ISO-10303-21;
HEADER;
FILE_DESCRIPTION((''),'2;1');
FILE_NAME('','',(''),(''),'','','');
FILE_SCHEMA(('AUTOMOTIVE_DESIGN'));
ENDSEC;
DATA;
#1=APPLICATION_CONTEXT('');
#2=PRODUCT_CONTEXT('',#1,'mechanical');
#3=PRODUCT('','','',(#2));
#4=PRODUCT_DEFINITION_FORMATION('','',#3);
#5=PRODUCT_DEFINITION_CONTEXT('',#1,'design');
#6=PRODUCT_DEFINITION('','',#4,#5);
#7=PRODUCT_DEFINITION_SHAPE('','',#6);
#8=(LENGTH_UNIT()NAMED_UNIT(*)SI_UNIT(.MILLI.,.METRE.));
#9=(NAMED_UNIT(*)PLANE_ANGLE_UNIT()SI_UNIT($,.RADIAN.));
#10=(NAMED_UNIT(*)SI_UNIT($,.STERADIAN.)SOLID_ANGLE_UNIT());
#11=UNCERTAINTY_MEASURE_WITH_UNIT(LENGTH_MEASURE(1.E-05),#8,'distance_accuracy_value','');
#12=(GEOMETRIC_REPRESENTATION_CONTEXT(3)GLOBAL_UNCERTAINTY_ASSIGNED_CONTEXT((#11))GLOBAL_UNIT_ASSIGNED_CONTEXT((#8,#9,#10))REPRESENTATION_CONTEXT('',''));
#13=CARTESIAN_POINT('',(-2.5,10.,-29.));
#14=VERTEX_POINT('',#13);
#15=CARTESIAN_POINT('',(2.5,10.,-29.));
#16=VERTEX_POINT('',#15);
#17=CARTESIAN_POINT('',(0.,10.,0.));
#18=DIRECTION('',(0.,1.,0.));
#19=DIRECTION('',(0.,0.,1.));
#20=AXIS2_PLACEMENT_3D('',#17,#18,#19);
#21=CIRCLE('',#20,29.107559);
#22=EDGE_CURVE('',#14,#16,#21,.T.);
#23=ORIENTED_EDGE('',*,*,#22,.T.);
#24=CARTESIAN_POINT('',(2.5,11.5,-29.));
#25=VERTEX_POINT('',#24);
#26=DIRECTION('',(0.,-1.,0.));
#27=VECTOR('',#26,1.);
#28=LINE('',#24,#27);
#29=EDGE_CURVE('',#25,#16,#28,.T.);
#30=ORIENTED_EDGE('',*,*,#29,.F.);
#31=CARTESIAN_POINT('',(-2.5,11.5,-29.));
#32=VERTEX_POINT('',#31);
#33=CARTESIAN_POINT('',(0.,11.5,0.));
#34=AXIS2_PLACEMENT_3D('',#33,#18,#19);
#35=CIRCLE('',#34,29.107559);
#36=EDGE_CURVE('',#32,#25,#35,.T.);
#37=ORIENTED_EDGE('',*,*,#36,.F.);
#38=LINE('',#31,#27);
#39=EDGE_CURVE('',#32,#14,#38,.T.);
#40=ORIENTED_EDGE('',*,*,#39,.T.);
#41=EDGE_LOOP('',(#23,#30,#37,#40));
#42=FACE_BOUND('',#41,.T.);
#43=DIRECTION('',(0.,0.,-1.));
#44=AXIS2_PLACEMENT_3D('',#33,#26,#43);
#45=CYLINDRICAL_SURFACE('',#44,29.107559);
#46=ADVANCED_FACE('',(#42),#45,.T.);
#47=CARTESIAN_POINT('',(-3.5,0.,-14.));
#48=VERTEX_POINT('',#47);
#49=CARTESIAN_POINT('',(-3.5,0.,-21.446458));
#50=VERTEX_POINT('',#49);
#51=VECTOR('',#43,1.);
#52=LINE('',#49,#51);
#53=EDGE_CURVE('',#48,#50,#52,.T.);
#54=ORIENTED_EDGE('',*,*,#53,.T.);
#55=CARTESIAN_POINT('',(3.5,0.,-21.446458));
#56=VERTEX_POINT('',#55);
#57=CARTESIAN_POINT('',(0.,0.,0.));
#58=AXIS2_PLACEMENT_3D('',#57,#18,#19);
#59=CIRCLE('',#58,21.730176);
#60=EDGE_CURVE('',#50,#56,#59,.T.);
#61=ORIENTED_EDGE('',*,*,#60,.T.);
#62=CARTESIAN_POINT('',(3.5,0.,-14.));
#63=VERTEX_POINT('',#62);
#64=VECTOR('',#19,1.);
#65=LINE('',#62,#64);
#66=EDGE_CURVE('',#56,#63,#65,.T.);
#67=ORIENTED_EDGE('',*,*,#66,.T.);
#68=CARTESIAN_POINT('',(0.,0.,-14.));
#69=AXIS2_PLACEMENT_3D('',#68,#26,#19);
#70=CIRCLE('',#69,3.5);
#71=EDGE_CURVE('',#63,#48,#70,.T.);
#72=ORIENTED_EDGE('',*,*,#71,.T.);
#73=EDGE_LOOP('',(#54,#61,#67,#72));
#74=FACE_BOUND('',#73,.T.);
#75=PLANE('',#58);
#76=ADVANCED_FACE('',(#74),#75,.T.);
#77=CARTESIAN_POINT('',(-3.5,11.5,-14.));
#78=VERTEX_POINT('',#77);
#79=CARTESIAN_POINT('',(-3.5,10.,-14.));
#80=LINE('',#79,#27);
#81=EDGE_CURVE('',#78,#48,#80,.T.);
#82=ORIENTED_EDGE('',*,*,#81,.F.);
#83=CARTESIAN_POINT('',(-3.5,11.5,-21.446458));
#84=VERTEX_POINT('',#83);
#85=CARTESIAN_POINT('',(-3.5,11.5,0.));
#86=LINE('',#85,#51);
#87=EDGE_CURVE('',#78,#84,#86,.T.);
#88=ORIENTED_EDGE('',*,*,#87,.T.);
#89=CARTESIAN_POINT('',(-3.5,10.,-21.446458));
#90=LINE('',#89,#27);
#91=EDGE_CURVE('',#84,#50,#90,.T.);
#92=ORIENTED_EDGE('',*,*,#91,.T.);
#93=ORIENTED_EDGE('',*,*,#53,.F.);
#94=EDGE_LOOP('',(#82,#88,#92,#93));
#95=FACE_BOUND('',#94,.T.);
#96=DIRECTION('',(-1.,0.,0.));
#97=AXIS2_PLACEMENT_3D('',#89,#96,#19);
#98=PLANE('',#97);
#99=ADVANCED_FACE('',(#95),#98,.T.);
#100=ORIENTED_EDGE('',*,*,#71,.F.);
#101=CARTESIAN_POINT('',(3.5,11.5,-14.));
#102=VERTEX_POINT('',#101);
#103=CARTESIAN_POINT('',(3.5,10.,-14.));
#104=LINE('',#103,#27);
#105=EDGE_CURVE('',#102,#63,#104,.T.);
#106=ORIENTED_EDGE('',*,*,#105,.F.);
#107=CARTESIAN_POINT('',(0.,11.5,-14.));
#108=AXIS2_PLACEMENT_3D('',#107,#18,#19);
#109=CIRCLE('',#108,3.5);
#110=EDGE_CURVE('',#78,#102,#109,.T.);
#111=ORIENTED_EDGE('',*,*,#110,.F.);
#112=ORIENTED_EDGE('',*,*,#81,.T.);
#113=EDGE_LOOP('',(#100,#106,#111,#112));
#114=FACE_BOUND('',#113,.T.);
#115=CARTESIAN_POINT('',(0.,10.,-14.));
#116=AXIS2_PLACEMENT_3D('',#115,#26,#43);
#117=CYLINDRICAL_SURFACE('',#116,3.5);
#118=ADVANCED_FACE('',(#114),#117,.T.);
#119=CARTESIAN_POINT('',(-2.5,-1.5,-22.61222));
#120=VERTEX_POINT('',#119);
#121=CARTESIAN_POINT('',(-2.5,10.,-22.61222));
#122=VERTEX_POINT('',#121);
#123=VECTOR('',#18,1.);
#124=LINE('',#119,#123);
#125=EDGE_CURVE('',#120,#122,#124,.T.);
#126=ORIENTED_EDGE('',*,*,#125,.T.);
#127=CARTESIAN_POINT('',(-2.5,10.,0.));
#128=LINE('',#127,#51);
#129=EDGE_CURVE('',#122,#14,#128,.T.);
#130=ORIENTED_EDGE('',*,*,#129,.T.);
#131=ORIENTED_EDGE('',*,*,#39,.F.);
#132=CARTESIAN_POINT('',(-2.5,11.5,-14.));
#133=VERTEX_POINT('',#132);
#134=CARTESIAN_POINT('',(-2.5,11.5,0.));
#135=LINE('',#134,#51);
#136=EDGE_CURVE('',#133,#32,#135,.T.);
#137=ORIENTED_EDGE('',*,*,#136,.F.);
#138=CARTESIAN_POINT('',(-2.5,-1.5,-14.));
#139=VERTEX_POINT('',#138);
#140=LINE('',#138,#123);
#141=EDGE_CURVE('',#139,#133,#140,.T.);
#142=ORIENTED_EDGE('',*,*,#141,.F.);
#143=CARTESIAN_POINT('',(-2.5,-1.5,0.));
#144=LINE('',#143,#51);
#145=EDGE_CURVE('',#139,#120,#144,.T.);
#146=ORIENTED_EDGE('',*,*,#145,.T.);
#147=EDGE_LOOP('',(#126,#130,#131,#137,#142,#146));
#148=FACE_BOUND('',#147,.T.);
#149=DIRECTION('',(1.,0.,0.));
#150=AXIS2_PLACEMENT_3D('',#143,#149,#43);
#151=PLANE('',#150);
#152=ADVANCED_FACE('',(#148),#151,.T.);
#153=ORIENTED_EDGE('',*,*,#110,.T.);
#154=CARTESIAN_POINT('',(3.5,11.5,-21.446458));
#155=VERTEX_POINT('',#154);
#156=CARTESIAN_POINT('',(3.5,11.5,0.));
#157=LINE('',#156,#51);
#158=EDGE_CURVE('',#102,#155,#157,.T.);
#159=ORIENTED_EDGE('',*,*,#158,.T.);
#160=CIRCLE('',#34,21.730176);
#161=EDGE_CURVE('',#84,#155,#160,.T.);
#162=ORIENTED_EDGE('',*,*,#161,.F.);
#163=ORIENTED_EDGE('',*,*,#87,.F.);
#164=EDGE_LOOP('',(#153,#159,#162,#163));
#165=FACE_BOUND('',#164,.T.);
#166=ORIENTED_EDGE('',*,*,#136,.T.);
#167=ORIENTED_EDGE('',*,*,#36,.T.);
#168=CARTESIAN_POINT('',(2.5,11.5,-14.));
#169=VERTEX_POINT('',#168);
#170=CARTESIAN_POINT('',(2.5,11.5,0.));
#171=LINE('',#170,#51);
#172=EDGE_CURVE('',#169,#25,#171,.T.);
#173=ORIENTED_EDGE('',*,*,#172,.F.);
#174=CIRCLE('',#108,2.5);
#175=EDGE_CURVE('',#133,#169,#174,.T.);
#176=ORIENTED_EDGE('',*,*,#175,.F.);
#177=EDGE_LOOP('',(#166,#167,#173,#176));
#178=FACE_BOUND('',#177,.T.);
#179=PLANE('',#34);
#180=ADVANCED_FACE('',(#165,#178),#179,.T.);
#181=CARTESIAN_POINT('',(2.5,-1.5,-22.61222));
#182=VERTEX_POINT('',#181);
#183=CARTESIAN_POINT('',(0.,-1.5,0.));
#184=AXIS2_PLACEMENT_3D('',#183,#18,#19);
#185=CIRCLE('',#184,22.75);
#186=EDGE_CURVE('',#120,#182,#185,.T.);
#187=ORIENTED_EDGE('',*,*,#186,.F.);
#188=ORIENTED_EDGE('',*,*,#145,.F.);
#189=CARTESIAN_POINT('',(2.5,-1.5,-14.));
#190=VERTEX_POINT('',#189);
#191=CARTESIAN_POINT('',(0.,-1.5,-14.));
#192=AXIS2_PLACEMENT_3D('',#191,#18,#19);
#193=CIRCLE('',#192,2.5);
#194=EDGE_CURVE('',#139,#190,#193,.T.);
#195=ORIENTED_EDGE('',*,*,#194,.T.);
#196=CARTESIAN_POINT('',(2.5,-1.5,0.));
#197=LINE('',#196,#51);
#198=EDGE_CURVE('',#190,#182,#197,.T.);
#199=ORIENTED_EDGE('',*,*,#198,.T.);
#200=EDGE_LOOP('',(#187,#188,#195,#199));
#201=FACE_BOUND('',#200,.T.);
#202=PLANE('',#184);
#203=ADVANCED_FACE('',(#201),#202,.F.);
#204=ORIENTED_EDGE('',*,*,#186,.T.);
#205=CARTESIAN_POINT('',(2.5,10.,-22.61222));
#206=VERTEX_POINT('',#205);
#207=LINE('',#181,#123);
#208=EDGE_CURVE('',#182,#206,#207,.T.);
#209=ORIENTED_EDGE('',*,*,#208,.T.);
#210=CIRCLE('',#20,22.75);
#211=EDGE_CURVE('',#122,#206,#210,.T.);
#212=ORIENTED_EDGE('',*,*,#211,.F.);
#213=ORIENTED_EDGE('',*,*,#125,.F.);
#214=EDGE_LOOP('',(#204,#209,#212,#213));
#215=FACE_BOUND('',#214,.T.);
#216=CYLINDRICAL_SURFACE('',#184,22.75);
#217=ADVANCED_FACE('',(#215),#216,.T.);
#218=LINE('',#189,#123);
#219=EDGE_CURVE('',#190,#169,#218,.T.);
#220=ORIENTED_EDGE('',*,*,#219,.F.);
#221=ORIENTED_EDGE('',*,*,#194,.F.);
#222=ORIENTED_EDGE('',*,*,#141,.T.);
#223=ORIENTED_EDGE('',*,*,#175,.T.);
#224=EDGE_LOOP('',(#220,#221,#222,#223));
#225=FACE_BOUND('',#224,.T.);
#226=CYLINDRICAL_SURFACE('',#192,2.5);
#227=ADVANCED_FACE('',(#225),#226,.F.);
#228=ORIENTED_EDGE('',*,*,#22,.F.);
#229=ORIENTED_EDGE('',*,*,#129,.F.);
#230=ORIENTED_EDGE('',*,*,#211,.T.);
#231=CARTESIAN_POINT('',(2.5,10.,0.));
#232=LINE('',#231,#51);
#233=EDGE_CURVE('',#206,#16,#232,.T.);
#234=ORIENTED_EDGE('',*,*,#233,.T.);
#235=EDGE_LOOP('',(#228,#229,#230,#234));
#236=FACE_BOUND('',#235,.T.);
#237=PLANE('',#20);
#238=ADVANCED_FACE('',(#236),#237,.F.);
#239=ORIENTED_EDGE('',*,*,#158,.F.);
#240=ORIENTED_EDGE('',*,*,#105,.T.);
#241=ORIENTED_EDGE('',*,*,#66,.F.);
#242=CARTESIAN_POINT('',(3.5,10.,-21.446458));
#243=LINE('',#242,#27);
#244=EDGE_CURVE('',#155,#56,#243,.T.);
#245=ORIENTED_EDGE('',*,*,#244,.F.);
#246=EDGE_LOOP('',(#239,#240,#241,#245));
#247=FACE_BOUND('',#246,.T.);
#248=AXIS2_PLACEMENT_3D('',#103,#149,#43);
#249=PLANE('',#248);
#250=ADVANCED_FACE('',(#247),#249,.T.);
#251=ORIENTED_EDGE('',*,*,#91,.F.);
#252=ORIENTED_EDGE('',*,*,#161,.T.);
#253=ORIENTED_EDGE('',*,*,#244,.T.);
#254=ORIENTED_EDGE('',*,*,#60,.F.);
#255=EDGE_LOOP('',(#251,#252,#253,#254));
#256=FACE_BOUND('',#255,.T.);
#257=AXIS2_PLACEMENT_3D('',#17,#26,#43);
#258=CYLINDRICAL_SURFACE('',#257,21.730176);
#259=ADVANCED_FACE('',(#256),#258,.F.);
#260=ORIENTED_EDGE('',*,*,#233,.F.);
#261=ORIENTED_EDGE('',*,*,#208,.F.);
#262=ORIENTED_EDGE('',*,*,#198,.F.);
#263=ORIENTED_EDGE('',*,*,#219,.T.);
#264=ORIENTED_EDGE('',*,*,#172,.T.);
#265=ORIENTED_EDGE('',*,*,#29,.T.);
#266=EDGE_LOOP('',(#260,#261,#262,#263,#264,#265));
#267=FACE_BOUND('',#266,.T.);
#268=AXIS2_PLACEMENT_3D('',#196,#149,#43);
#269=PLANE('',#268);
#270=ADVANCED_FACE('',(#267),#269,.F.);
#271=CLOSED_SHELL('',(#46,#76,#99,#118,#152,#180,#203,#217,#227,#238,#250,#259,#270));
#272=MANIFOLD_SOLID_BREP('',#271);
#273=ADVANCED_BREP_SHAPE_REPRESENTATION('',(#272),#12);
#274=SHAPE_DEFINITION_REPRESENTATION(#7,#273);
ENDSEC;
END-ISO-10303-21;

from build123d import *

# Parameters (mm, degrees)
BOSS_EXTRUDE11_DEPTH = 1.5
BOSS_EXTRUDE12_START = 10
BOSS_EXTRUDE12_DEPTH = 10
BOSS_EXTRUDE15_START = 11.5
BOSS_EXTRUDE15_DEPTH = 1.5


with BuildPart() as part:
    # base → Boss-Extrude11 (new body)
    with BuildSketch(Plane(origin=(0, 0, 0), x_dir=(1, 0, 0), z_dir=(0, 1, 0))):
        with BuildLine():
            Line((-2.5, 14), (-2.5, 22.612220148))
            ThreePointArc((-2.5, 22.612220148), (0, -22.75), (2.5, 22.612220148))
            Line((2.5, 22.612220148), (2.5, 14))
            ThreePointArc((2.5, 14), (0, 11.5), (-2.5, 14))
        make_face()
    extrude(amount=-BOSS_EXTRUDE11_DEPTH)

    # rim → Boss-Extrude12 (add)
    with BuildSketch(Plane(origin=(0, 0, 0), x_dir=(1, 0, 0), z_dir=(0, 1, 0)).offset(BOSS_EXTRUDE12_START)):
        with BuildLine():
            Line((2.5, 22.612220148), (2.5, 14))
            ThreePointArc((2.5, 14), (0, 11.5), (-2.5, 14))
            Line((-2.5, 14), (-2.5, 22.612220148))
            ThreePointArc((-2.5, 22.612220148), (0, -22.75), (2.5, 22.612220148))
        make_face()
        with BuildLine():
            Line((-3.5, 21.446457505), (-3.5, 14))
            ThreePointArc((-3.5, 14), (0, 10.5), (3.5, 14))
            Line((3.5, 14), (3.5, 21.446457505))
            ThreePointArc((3.5, 21.446457505), (0, -21.730175782), (-3.5, 21.446457505))
        make_face(mode=Mode.SUBTRACT)
    extrude(amount=-BOSS_EXTRUDE12_DEPTH)

    # lid → Boss-Extrude15 (add)
    with BuildSketch(Plane(origin=(0, 0, 0), x_dir=(1, 0, 0), z_dir=(0, 1, 0)).offset(BOSS_EXTRUDE15_START)):
        with BuildLine():
            Line((-2.5, 14), (-2.5, 29))
            ThreePointArc((-2.5, 29), (0, -29.107559156), (2.5, 29))
            Line((2.5, 29), (2.5, 14))
            ThreePointArc((2.5, 14), (0, 11.5), (-2.5, 14))
        make_face()
        with BuildLine():
            ThreePointArc((-3.5, 21.446457505), (0, -21.730175782), (3.5, 21.446457505))
            Line((3.5, 21.446457505), (3.5, 14))
            ThreePointArc((3.5, 14), (0, 10.5), (-3.5, 14))
            Line((-3.5, 14), (-3.5, 21.446457505))
        make_face(mode=Mode.SUBTRACT)
    extrude(amount=-BOSS_EXTRUDE15_DEPTH)


solid = part.part
